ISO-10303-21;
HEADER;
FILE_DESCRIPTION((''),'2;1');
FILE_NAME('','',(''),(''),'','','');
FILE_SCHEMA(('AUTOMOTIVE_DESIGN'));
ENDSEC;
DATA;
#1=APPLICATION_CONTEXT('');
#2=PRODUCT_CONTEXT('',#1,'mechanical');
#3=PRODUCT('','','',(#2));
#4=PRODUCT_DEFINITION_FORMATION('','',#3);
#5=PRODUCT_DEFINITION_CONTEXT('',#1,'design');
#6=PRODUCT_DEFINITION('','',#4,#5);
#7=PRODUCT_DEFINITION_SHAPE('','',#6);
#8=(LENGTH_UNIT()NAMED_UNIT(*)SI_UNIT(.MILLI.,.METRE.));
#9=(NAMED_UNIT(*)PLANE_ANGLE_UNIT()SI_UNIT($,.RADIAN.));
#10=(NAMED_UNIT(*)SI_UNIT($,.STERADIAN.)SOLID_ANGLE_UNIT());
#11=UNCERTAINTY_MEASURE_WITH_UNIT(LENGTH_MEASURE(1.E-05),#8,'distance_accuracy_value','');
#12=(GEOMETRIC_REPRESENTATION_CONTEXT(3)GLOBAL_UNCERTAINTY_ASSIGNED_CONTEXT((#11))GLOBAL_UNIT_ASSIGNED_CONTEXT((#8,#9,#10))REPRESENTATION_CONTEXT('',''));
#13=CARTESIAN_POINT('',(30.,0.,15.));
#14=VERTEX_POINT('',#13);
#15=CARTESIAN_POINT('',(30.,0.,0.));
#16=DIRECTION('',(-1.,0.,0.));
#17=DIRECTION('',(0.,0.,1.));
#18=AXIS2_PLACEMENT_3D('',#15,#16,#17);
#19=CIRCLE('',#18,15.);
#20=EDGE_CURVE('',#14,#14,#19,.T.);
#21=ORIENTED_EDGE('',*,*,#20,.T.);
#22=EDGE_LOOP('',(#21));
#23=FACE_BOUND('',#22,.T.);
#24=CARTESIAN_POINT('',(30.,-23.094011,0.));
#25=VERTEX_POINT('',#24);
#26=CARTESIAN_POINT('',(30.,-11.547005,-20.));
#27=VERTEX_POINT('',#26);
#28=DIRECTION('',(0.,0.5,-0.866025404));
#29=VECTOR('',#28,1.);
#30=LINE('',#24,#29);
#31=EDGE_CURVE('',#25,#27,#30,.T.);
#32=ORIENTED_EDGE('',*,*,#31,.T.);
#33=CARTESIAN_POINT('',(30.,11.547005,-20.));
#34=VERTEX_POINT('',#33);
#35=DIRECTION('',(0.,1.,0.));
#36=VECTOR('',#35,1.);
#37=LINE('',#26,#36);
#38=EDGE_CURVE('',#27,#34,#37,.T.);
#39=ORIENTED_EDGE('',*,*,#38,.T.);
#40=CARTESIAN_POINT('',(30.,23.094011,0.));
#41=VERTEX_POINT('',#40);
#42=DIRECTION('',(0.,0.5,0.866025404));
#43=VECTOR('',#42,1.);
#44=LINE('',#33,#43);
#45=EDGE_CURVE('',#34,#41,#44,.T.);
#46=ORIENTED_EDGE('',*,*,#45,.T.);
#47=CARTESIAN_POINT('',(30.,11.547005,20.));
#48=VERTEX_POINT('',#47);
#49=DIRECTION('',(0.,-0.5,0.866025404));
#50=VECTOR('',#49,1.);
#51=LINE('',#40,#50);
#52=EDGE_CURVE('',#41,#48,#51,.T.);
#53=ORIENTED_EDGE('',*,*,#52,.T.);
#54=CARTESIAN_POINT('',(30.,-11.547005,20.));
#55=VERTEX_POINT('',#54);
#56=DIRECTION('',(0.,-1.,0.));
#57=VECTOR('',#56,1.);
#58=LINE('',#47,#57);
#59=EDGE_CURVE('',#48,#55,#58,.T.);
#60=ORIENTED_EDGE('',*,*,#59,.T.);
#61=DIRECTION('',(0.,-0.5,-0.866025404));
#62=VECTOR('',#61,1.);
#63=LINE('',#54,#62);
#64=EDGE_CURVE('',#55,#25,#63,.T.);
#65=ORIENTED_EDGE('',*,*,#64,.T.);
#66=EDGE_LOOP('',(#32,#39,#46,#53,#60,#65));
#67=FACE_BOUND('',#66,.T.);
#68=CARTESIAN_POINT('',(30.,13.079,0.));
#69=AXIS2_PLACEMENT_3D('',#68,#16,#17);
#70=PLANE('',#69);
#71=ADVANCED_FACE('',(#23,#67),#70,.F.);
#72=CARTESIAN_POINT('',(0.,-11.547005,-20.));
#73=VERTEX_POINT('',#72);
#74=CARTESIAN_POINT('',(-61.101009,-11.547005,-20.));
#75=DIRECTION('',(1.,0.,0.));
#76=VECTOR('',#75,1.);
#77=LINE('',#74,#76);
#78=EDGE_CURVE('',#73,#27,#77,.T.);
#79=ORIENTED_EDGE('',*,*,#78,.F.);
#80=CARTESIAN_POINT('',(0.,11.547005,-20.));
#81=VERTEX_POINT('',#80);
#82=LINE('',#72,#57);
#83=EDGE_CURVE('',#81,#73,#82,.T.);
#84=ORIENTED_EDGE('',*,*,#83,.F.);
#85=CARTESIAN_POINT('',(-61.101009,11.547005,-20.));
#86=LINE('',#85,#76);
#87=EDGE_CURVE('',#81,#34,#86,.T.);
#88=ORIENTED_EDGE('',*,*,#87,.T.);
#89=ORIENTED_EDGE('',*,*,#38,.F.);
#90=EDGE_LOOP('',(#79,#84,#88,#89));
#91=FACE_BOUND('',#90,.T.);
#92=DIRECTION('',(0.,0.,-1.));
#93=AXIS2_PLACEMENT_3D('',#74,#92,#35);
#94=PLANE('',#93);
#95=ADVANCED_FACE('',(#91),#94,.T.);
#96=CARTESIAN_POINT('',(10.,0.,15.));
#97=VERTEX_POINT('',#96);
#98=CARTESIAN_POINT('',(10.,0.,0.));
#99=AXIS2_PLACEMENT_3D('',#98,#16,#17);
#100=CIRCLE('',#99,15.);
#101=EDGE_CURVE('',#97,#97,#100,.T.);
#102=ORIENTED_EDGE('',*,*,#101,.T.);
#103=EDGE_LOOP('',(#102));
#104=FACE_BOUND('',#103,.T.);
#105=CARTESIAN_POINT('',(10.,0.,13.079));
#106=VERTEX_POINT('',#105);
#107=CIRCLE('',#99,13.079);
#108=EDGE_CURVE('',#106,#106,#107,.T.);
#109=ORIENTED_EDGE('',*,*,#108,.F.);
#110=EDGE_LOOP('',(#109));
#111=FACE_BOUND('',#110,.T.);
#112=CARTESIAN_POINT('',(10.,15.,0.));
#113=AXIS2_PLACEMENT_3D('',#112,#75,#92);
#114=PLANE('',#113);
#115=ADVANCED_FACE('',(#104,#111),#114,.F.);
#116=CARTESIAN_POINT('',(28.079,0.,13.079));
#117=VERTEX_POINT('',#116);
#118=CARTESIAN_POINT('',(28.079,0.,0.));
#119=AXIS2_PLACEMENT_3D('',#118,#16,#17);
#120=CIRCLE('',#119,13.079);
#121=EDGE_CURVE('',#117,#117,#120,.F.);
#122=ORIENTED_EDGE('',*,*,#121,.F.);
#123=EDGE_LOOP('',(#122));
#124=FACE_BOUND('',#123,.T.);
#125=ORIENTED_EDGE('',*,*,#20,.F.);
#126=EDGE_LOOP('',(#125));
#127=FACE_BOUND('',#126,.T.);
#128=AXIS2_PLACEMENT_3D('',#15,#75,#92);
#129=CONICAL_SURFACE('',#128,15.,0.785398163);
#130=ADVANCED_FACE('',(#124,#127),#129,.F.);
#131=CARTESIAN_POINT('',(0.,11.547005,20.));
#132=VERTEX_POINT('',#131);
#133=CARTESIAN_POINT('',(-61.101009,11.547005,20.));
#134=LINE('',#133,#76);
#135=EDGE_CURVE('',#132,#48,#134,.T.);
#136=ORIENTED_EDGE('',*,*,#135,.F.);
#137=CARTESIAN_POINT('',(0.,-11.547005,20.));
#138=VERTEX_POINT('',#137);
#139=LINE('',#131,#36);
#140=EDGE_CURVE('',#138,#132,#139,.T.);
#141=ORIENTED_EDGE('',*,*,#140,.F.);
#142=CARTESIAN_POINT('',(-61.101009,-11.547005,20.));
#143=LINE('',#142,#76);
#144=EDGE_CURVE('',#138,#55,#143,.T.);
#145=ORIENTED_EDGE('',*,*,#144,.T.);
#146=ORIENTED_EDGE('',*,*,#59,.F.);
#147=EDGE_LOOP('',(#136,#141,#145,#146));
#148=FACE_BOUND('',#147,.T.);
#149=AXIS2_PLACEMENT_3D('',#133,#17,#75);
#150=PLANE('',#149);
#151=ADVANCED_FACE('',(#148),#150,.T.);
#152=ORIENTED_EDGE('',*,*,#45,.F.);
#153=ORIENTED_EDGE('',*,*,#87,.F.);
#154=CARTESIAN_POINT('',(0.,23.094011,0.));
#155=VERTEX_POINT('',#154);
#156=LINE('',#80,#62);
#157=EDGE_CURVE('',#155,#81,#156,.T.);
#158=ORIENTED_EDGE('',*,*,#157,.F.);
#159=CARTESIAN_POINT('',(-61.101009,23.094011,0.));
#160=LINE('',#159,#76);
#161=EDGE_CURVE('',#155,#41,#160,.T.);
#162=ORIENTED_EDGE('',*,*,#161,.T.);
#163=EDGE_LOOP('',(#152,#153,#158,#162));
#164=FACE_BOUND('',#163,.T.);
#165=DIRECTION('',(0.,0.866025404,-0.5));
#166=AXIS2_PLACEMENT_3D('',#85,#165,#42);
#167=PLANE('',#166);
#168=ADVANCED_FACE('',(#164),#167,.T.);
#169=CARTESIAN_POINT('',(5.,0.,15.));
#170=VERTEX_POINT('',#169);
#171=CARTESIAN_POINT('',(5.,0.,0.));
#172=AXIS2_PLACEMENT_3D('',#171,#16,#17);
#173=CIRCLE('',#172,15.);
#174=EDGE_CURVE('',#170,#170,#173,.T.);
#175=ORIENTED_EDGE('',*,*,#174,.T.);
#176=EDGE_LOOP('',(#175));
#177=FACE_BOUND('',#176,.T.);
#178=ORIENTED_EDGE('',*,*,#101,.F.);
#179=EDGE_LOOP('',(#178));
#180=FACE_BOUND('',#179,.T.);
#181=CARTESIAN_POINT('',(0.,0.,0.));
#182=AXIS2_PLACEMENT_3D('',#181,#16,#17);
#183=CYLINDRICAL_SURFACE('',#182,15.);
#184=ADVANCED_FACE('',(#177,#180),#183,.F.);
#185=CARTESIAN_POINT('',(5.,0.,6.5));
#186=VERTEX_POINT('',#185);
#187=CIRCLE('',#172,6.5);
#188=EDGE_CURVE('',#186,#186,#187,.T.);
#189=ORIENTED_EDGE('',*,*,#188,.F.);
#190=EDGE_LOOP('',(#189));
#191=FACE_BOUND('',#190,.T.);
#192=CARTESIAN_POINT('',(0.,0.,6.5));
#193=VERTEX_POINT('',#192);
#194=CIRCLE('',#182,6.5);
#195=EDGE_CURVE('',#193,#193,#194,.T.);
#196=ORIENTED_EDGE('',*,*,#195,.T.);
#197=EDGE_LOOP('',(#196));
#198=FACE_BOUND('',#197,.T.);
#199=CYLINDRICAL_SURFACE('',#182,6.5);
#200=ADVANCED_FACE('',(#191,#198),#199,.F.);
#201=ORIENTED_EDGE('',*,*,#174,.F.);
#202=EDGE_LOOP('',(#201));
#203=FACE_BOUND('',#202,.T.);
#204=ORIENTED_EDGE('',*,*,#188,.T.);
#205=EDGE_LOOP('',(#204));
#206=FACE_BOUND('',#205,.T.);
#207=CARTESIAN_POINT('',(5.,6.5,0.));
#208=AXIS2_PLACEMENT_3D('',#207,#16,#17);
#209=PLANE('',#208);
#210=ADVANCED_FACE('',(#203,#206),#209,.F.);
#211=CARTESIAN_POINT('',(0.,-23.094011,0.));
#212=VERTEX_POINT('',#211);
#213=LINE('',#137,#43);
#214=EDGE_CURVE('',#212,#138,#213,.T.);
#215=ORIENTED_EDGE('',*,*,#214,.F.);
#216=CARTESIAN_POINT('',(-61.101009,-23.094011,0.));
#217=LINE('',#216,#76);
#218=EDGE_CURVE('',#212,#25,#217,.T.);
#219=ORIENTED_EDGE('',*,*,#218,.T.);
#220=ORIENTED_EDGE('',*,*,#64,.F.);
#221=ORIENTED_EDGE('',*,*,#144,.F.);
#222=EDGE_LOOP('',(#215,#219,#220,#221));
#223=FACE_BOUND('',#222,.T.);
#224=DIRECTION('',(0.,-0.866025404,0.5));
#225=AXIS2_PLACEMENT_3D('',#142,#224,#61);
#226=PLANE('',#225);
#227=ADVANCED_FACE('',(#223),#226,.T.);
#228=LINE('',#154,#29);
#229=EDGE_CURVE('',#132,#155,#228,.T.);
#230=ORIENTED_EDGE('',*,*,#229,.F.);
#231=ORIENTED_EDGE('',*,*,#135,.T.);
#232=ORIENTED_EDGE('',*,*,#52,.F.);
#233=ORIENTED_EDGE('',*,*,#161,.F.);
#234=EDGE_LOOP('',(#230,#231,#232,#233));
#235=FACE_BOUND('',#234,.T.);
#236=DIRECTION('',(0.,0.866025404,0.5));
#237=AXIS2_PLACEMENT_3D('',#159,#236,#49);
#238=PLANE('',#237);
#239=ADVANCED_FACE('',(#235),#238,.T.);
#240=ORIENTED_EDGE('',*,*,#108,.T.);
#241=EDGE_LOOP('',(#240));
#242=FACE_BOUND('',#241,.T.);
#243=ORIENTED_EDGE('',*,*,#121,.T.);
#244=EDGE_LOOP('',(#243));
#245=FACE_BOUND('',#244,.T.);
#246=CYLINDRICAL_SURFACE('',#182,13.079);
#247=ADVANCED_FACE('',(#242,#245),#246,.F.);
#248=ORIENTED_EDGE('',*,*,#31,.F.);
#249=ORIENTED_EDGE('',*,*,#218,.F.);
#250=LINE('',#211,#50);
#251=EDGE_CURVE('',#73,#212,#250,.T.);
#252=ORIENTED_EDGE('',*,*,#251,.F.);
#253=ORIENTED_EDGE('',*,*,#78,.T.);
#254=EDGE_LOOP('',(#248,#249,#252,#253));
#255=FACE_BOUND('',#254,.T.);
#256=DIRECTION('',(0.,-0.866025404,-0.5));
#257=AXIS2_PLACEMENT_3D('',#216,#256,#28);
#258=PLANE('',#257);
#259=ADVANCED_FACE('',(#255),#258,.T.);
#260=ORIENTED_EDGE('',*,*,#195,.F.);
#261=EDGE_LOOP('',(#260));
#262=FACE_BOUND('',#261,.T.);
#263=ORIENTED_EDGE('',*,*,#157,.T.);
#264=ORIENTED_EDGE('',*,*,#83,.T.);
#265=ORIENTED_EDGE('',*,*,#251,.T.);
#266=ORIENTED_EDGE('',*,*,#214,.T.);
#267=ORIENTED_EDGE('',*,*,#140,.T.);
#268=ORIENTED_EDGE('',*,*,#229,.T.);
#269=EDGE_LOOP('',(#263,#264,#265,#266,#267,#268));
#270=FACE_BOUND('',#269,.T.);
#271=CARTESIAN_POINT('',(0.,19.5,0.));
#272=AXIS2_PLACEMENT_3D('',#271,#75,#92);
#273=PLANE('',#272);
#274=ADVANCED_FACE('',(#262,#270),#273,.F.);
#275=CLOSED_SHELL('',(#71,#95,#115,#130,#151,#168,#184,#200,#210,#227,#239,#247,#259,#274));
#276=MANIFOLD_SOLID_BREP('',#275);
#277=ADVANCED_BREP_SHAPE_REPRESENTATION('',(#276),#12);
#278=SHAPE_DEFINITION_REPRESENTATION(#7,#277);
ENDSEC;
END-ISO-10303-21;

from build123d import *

# Parameters (mm, degrees)
CHAMFER_1_SIZE  = 1.921
SKETCH_2_R      = 19.5
EXTRUDE_1_DEPTH = 30


with BuildPart() as part:
    # Эскиз1 → Повернуть1 (revolve)
    with BuildSketch(Plane.XY):
        Polygon((0, 6.5), (5, 6.5), (5, 15), (10, 15), (10, 13.079), (30, 13.079), (30, 19.5), (0, 19.5), align=None)
    revolve(axis=Axis((0, 0, 0), (1, 0, 0)))

    # Фаска1
    chamfer_1_edges = [part.edges().sort_by_distance(p)[0] for p in [
        (30, -13.079, 0),
    ]]
    chamfer(chamfer_1_edges, length=CHAMFER_1_SIZE)

    # Эскиз2 → Бобышка-Вытянуть1 (add)
    with BuildSketch(Plane(origin=(30, 0, 0), x_dir=(0, 0, -1), z_dir=(1, 0, 0))):
        Polygon((0, 23.094010768), (-20, 11.547005384), (-20, -11.547005384), (0, -23.094010768), (20, -11.547005384), (20, 11.547005384), align=None)
        Circle(SKETCH_2_R, mode=Mode.SUBTRACT)
    extrude(amount=-EXTRUDE_1_DEPTH)


solid = part.part
